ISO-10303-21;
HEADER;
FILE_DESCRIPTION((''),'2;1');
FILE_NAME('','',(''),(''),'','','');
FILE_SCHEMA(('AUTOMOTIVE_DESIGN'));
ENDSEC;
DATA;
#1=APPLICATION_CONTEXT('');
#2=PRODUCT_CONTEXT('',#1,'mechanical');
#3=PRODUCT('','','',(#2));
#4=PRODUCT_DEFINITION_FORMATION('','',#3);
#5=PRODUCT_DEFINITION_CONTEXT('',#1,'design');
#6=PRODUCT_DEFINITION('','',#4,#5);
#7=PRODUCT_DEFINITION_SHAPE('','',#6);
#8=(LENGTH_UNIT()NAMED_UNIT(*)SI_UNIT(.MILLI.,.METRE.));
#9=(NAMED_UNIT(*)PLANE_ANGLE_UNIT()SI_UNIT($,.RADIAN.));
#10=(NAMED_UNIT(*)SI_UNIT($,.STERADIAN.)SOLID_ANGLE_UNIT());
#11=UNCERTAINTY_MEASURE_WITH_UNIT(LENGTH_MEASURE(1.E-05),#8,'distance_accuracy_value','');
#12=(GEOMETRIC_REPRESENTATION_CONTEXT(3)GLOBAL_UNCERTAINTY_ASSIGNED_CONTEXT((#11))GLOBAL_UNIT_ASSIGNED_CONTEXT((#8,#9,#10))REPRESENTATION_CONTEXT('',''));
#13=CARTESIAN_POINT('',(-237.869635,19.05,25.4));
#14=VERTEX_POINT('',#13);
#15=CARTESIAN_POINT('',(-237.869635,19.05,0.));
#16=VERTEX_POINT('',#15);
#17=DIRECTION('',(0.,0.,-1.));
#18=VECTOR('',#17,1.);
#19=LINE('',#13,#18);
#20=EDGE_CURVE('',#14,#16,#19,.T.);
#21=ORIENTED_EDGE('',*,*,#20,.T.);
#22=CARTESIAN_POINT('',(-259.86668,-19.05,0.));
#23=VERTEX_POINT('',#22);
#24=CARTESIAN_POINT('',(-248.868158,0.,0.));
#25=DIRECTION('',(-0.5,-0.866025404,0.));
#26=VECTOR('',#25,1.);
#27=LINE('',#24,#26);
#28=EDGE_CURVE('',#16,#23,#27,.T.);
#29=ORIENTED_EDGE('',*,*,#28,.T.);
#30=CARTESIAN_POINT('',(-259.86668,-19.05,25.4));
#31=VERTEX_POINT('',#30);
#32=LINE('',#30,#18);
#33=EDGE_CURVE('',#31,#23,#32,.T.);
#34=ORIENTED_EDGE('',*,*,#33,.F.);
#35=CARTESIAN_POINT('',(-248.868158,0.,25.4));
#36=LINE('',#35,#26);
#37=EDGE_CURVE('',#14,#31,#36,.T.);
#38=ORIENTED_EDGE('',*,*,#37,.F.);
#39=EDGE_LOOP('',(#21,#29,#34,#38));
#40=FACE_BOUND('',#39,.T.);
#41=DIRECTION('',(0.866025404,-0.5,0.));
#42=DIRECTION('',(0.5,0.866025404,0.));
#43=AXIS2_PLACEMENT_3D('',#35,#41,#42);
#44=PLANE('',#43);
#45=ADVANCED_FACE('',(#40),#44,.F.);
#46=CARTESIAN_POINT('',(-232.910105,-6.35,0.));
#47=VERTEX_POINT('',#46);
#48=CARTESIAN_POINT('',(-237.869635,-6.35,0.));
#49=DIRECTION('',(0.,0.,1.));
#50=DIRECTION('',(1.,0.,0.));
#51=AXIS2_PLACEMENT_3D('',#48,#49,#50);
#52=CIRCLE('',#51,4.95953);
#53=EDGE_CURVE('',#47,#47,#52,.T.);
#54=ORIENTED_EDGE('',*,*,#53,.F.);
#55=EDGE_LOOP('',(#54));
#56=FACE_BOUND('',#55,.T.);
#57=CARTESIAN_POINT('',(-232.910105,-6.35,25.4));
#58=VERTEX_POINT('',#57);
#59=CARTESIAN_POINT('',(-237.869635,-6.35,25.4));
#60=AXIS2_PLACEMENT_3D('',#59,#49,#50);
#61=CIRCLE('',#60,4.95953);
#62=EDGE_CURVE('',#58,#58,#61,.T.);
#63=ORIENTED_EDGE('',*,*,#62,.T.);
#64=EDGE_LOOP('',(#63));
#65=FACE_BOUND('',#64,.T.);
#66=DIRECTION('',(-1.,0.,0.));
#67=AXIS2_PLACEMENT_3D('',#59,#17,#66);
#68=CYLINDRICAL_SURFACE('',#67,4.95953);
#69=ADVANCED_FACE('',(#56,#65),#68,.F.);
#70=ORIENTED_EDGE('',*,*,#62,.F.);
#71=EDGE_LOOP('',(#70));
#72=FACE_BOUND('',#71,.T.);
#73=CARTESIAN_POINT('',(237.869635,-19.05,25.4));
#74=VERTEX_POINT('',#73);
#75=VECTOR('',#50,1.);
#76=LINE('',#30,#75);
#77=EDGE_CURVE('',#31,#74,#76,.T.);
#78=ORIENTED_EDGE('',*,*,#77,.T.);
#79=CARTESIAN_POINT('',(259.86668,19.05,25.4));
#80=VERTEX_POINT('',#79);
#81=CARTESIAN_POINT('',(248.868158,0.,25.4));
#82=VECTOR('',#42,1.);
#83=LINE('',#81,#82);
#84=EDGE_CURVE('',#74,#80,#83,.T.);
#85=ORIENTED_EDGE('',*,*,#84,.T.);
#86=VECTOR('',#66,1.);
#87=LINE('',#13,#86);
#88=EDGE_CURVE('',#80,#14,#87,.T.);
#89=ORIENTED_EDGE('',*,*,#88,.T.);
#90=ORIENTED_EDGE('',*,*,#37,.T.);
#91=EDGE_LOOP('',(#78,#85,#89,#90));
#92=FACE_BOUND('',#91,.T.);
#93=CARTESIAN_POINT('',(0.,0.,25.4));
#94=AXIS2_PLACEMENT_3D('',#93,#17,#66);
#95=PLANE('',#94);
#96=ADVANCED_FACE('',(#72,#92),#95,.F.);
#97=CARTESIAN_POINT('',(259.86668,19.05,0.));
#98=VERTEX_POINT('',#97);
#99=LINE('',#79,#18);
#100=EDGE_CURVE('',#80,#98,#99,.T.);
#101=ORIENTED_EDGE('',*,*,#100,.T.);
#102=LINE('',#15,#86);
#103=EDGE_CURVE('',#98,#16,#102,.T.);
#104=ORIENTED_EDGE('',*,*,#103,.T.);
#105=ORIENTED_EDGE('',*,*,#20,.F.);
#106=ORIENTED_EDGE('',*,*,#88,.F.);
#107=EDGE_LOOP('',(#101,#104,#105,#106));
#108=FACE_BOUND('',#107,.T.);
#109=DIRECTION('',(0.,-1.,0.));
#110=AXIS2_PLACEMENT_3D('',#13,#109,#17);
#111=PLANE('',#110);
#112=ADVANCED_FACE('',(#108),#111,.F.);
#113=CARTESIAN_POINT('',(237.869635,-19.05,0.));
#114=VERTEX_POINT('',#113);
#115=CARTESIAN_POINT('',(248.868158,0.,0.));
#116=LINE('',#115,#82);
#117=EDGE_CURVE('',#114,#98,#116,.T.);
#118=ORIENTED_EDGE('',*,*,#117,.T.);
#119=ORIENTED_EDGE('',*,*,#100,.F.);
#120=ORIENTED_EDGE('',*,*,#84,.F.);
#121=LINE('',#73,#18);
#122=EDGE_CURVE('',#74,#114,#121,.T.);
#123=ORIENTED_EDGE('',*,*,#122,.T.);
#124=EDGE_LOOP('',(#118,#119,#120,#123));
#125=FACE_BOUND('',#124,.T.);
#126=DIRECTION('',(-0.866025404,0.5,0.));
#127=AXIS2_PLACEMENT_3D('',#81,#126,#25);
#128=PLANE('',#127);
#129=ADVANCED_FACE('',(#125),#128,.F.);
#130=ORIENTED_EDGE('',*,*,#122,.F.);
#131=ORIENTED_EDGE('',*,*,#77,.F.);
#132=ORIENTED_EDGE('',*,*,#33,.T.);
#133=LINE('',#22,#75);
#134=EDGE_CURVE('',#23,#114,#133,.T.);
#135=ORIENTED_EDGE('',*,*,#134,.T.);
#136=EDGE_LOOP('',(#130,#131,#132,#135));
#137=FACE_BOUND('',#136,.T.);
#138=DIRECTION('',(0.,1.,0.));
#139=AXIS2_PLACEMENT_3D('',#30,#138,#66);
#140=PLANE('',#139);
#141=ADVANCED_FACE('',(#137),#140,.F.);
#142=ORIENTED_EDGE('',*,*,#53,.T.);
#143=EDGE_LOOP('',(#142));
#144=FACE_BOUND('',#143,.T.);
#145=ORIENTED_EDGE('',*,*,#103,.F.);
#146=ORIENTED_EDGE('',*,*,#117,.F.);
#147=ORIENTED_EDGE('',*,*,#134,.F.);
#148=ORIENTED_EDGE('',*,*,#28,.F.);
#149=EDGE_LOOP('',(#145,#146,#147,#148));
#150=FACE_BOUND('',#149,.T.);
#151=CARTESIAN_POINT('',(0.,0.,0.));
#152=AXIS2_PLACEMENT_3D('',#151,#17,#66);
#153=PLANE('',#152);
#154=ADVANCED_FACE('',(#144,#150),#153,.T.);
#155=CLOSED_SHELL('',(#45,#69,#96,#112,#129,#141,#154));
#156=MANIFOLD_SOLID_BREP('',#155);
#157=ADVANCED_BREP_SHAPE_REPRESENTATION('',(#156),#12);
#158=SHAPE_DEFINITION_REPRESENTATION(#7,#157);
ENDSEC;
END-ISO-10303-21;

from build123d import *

# Parameters (mm, degrees)
SKETCH1_R           = 4.959529834
BOSS_EXTRUDE1_DEPTH = 25.4


with BuildPart() as part:
    # Sketch1 → Boss-Extrude1 (new body)
    with BuildSketch(Plane.XY):
        Polygon((248.868157838, 0), (237.86963521, -19.05), (-259.866680466, -19.05), (-248.868157838, 0), (-237.86963521, 19.05), (259.866680466, 19.05), align=None)
        with Locations((-237.86963521, -6.35)):
            Circle(SKETCH1_R, mode=Mode.SUBTRACT)
    extrude(amount=BOSS_EXTRUDE1_DEPTH)


solid = part.part
